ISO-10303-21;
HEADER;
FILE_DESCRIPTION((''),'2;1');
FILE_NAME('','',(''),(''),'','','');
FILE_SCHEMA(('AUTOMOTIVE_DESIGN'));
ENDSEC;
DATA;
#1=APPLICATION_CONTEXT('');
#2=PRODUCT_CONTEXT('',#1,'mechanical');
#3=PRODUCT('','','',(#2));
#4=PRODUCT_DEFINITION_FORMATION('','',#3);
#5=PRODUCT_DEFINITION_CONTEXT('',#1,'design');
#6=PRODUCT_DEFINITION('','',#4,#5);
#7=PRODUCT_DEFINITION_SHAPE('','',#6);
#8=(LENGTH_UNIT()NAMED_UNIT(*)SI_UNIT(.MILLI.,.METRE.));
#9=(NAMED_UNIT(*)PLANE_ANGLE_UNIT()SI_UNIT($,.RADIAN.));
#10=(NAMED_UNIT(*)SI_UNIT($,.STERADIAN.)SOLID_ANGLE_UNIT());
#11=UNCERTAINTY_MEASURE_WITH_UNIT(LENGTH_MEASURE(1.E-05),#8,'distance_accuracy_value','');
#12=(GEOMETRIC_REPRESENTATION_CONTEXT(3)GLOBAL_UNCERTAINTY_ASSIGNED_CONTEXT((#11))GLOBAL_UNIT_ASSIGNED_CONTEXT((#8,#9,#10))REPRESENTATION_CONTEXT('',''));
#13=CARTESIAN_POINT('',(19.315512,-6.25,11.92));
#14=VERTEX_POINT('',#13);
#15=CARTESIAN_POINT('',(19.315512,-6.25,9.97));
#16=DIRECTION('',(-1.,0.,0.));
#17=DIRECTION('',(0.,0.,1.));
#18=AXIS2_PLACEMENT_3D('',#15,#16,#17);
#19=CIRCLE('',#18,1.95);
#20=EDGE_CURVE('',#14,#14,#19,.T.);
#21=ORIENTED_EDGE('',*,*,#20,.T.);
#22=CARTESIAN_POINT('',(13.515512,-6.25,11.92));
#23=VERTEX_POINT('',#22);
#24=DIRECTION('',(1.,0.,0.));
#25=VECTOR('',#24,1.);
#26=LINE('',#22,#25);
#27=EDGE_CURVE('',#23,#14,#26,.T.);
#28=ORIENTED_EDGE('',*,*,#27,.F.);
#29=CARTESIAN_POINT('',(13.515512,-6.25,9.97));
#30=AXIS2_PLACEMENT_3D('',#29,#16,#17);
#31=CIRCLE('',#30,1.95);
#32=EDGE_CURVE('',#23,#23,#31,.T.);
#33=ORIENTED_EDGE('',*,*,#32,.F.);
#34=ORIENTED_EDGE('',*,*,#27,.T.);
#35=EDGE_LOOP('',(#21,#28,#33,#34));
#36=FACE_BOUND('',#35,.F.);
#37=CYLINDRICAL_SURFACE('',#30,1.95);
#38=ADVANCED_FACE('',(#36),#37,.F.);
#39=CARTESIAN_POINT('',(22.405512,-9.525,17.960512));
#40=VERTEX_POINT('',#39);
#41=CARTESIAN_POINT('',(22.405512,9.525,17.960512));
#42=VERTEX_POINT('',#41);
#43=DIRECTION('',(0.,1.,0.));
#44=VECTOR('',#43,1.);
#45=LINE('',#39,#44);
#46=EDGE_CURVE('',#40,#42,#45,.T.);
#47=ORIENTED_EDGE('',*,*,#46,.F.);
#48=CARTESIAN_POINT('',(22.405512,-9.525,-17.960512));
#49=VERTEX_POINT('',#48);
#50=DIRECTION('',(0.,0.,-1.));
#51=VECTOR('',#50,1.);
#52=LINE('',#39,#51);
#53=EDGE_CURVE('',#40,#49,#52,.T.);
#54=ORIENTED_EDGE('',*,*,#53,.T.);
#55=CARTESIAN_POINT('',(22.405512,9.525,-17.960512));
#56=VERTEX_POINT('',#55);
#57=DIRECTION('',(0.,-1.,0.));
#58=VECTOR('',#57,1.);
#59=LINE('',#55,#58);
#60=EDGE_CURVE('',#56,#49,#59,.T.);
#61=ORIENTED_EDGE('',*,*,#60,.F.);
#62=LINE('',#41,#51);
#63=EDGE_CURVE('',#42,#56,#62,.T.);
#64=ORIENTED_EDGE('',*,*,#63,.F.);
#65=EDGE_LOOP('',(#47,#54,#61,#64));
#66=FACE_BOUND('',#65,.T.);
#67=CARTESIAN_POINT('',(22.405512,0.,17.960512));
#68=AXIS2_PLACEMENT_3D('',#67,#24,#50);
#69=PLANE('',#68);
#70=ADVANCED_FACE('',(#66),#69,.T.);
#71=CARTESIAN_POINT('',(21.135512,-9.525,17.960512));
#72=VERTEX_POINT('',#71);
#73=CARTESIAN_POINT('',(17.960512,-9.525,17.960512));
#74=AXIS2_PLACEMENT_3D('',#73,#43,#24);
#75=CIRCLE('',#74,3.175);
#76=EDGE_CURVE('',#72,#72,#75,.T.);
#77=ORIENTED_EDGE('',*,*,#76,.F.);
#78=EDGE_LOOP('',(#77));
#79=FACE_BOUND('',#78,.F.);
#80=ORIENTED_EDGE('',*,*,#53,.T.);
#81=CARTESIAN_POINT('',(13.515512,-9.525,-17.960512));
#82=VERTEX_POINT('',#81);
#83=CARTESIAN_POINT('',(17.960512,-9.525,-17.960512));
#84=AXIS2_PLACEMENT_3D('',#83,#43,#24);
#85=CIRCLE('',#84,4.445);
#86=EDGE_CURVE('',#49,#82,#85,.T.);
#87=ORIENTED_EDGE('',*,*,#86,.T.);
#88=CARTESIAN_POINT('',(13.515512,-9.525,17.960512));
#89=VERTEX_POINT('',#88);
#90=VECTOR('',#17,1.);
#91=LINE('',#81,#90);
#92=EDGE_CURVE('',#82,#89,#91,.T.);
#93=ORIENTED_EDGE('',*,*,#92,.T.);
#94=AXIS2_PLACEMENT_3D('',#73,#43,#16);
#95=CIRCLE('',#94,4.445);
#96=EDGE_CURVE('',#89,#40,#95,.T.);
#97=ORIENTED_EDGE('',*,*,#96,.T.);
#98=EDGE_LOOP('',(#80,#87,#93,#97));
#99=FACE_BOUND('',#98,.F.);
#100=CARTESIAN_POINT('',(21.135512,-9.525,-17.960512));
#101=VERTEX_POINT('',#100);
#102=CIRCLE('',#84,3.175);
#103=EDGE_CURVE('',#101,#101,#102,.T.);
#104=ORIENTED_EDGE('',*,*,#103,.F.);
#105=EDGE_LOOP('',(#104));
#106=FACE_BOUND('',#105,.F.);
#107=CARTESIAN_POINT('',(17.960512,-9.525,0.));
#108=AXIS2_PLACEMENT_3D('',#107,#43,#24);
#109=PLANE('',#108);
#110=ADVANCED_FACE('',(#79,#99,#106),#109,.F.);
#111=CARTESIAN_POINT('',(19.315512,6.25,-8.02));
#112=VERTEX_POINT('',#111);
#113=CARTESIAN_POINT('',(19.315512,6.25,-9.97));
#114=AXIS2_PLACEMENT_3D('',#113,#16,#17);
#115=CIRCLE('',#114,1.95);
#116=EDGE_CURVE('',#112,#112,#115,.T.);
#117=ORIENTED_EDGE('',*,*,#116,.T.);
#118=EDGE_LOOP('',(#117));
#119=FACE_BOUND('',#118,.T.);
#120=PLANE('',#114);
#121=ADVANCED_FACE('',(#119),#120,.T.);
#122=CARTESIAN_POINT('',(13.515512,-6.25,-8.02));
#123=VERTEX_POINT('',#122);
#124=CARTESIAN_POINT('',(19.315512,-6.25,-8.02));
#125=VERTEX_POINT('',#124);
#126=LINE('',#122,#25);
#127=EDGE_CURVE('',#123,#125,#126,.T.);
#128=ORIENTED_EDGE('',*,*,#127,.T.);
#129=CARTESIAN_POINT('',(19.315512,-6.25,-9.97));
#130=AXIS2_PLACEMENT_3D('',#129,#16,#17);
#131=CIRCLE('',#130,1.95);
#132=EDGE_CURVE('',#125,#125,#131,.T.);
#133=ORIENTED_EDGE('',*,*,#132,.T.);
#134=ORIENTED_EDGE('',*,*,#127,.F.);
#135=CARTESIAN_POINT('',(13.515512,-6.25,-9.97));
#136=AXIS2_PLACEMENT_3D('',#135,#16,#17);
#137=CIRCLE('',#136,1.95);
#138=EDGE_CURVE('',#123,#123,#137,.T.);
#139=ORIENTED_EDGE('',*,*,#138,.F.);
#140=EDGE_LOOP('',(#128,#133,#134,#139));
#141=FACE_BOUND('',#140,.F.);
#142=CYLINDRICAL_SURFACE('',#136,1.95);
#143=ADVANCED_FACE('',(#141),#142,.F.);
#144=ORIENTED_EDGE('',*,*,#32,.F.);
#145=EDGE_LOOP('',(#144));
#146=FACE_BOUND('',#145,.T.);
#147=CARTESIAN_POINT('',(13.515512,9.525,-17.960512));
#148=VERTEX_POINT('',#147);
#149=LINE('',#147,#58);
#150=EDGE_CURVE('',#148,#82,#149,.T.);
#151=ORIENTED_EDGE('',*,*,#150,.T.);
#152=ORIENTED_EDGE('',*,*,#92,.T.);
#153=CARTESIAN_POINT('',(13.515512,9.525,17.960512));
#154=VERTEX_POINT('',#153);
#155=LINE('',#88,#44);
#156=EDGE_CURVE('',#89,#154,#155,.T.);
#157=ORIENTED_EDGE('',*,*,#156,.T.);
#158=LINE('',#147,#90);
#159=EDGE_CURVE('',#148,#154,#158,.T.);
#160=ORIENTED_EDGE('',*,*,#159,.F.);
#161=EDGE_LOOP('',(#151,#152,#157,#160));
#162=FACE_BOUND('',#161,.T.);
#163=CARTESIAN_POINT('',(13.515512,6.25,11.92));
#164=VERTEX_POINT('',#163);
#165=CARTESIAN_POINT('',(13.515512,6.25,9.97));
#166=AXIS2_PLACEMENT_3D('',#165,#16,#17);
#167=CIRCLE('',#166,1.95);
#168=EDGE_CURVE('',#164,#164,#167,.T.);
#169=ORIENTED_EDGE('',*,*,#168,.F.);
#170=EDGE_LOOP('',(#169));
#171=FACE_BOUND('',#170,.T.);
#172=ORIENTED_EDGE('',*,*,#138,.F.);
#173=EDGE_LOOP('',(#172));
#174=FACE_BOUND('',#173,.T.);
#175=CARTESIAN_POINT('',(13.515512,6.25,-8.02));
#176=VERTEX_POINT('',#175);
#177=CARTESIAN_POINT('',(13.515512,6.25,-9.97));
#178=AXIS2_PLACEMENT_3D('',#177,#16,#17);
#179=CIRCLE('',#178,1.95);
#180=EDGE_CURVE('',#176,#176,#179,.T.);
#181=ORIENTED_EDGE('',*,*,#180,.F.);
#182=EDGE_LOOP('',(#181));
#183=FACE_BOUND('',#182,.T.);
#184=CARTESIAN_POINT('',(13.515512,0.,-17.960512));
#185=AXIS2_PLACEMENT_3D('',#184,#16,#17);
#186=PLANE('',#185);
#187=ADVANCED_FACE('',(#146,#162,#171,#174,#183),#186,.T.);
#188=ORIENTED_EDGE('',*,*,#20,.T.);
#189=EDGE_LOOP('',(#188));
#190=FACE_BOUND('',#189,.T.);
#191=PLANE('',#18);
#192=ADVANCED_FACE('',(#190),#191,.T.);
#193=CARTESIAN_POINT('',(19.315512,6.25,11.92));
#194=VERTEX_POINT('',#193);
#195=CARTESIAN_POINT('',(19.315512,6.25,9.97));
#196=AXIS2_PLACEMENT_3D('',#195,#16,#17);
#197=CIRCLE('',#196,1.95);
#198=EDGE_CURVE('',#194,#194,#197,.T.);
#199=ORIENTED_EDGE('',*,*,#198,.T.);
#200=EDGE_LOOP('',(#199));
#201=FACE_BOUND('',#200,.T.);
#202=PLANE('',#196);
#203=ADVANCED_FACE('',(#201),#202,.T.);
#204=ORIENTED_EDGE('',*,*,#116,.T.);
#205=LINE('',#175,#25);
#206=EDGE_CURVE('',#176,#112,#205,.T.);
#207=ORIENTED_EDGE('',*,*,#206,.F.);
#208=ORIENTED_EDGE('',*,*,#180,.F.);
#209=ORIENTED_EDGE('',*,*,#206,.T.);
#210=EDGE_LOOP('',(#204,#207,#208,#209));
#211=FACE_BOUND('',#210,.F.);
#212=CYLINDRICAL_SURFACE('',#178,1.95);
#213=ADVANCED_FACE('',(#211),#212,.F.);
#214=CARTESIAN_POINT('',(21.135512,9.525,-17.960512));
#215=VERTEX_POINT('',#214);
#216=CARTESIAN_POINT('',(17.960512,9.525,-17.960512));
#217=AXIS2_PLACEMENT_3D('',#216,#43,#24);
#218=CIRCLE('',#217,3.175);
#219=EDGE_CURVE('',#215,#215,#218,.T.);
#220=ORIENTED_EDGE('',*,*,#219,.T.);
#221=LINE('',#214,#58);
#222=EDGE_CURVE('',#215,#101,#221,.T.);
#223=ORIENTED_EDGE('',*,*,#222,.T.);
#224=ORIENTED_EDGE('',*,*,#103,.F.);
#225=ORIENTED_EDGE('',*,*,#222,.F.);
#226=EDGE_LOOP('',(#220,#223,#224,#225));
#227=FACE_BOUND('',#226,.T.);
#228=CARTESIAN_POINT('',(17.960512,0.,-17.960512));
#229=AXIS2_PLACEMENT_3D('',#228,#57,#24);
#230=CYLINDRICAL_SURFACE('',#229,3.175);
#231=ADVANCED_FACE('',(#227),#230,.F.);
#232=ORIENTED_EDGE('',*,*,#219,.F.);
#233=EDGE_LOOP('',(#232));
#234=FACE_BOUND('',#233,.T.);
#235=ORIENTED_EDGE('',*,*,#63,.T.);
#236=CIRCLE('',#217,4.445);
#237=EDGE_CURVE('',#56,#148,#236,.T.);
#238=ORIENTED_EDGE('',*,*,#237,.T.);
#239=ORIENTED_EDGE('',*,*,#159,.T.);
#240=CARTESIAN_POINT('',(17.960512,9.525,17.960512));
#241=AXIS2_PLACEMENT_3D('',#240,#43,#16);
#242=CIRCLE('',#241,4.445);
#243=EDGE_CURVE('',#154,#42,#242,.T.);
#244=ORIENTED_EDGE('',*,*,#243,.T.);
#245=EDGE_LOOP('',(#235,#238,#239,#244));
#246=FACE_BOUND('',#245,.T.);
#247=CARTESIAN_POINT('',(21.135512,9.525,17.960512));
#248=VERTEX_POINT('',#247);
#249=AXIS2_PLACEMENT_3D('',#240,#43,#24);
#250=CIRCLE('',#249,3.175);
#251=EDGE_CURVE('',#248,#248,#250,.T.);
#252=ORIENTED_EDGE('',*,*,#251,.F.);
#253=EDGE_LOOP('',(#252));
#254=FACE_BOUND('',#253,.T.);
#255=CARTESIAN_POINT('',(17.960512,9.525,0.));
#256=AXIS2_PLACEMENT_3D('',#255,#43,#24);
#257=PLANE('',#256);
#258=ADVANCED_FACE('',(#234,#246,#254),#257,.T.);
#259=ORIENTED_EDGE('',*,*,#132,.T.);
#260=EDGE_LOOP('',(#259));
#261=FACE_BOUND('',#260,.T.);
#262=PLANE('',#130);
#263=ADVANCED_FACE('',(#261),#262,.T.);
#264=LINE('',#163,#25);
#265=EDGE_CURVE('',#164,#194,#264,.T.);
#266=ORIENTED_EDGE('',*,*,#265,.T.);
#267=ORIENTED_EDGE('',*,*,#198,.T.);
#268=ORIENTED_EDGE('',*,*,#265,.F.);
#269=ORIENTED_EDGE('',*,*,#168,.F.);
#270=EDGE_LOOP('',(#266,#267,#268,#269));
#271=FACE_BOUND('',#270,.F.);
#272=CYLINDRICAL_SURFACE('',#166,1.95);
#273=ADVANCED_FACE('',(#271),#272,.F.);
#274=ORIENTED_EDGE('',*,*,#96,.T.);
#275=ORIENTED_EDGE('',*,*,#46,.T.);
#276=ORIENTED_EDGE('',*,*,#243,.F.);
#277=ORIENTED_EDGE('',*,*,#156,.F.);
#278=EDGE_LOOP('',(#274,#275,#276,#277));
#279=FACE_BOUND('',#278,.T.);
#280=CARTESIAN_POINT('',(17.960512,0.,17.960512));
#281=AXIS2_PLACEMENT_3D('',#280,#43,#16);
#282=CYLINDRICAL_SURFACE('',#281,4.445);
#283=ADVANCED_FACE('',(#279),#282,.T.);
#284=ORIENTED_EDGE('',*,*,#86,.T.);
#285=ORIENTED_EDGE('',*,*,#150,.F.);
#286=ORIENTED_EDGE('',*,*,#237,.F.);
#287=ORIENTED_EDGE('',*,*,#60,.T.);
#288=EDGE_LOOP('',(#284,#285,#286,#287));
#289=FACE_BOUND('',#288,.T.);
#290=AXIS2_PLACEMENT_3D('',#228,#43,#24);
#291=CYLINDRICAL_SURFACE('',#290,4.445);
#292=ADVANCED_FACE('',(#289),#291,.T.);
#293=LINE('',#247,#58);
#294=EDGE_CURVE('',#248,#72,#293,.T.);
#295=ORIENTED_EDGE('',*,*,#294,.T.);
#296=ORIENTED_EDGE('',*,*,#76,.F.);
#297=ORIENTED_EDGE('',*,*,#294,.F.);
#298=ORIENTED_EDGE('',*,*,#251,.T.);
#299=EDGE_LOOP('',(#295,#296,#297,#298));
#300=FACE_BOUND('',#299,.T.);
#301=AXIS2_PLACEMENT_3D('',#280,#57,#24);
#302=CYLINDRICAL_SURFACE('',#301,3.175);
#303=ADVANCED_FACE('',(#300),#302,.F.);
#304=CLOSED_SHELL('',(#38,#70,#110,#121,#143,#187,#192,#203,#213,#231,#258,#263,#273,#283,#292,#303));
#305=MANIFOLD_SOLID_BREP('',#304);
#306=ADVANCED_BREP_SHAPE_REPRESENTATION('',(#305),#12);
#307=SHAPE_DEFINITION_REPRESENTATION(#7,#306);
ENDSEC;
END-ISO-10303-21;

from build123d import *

# Parameters (mm, degrees)
SKETCH2_R           = 3.175
BOSS_EXTRUDE1_DEPTH = 9.525
SKETCH3_R           = 1.95
CUT_EXTRUDE1_DEPTH  = 5.8


with BuildPart() as part:
    # Sketch2 → Boss-Extrude1 (new body, symmetric)
    with BuildSketch(Plane(origin=(0, 0, 0), x_dir=(1, 0, 0), z_dir=(0, 1, 0))):
        with BuildLine():
            Line((13.515512242, 17.960512242), (13.515512242, -17.960512242))
            ThreePointArc((13.515512242, -17.960512242), (17.960512242, -22.405512242), (22.405512242, -17.960512242))
            Line((22.405512242, -17.960512242), (22.405512242, 17.960512242))
            ThreePointArc((22.405512242, 17.960512242), (17.960512242, 22.405512242), (13.515512242, 17.960512242))
        make_face()
        with Locations((17.960512242, -17.960512242)):
            Circle(SKETCH2_R, mode=Mode.SUBTRACT)
        with Locations((17.960512242, 17.960512242)):
            Circle(SKETCH2_R, mode=Mode.SUBTRACT)
    extrude(amount=BOSS_EXTRUDE1_DEPTH, both=True)

    # Sketch3 → Cut-Extrude1 (cut)
    with BuildSketch(Plane.ZY.offset(-13.515512242)):
        with Locations((-9.97, 6.25)):
            Circle(SKETCH3_R)
        with Locations((9.97, 6.25)):
            Circle(SKETCH3_R)
        with Locations((9.97, -6.25)):
            Circle(SKETCH3_R)
        with Locations((-9.97, -6.25)):
            Circle(SKETCH3_R)
    extrude(amount=-CUT_EXTRUDE1_DEPTH, mode=Mode.SUBTRACT)


solid = part.part
